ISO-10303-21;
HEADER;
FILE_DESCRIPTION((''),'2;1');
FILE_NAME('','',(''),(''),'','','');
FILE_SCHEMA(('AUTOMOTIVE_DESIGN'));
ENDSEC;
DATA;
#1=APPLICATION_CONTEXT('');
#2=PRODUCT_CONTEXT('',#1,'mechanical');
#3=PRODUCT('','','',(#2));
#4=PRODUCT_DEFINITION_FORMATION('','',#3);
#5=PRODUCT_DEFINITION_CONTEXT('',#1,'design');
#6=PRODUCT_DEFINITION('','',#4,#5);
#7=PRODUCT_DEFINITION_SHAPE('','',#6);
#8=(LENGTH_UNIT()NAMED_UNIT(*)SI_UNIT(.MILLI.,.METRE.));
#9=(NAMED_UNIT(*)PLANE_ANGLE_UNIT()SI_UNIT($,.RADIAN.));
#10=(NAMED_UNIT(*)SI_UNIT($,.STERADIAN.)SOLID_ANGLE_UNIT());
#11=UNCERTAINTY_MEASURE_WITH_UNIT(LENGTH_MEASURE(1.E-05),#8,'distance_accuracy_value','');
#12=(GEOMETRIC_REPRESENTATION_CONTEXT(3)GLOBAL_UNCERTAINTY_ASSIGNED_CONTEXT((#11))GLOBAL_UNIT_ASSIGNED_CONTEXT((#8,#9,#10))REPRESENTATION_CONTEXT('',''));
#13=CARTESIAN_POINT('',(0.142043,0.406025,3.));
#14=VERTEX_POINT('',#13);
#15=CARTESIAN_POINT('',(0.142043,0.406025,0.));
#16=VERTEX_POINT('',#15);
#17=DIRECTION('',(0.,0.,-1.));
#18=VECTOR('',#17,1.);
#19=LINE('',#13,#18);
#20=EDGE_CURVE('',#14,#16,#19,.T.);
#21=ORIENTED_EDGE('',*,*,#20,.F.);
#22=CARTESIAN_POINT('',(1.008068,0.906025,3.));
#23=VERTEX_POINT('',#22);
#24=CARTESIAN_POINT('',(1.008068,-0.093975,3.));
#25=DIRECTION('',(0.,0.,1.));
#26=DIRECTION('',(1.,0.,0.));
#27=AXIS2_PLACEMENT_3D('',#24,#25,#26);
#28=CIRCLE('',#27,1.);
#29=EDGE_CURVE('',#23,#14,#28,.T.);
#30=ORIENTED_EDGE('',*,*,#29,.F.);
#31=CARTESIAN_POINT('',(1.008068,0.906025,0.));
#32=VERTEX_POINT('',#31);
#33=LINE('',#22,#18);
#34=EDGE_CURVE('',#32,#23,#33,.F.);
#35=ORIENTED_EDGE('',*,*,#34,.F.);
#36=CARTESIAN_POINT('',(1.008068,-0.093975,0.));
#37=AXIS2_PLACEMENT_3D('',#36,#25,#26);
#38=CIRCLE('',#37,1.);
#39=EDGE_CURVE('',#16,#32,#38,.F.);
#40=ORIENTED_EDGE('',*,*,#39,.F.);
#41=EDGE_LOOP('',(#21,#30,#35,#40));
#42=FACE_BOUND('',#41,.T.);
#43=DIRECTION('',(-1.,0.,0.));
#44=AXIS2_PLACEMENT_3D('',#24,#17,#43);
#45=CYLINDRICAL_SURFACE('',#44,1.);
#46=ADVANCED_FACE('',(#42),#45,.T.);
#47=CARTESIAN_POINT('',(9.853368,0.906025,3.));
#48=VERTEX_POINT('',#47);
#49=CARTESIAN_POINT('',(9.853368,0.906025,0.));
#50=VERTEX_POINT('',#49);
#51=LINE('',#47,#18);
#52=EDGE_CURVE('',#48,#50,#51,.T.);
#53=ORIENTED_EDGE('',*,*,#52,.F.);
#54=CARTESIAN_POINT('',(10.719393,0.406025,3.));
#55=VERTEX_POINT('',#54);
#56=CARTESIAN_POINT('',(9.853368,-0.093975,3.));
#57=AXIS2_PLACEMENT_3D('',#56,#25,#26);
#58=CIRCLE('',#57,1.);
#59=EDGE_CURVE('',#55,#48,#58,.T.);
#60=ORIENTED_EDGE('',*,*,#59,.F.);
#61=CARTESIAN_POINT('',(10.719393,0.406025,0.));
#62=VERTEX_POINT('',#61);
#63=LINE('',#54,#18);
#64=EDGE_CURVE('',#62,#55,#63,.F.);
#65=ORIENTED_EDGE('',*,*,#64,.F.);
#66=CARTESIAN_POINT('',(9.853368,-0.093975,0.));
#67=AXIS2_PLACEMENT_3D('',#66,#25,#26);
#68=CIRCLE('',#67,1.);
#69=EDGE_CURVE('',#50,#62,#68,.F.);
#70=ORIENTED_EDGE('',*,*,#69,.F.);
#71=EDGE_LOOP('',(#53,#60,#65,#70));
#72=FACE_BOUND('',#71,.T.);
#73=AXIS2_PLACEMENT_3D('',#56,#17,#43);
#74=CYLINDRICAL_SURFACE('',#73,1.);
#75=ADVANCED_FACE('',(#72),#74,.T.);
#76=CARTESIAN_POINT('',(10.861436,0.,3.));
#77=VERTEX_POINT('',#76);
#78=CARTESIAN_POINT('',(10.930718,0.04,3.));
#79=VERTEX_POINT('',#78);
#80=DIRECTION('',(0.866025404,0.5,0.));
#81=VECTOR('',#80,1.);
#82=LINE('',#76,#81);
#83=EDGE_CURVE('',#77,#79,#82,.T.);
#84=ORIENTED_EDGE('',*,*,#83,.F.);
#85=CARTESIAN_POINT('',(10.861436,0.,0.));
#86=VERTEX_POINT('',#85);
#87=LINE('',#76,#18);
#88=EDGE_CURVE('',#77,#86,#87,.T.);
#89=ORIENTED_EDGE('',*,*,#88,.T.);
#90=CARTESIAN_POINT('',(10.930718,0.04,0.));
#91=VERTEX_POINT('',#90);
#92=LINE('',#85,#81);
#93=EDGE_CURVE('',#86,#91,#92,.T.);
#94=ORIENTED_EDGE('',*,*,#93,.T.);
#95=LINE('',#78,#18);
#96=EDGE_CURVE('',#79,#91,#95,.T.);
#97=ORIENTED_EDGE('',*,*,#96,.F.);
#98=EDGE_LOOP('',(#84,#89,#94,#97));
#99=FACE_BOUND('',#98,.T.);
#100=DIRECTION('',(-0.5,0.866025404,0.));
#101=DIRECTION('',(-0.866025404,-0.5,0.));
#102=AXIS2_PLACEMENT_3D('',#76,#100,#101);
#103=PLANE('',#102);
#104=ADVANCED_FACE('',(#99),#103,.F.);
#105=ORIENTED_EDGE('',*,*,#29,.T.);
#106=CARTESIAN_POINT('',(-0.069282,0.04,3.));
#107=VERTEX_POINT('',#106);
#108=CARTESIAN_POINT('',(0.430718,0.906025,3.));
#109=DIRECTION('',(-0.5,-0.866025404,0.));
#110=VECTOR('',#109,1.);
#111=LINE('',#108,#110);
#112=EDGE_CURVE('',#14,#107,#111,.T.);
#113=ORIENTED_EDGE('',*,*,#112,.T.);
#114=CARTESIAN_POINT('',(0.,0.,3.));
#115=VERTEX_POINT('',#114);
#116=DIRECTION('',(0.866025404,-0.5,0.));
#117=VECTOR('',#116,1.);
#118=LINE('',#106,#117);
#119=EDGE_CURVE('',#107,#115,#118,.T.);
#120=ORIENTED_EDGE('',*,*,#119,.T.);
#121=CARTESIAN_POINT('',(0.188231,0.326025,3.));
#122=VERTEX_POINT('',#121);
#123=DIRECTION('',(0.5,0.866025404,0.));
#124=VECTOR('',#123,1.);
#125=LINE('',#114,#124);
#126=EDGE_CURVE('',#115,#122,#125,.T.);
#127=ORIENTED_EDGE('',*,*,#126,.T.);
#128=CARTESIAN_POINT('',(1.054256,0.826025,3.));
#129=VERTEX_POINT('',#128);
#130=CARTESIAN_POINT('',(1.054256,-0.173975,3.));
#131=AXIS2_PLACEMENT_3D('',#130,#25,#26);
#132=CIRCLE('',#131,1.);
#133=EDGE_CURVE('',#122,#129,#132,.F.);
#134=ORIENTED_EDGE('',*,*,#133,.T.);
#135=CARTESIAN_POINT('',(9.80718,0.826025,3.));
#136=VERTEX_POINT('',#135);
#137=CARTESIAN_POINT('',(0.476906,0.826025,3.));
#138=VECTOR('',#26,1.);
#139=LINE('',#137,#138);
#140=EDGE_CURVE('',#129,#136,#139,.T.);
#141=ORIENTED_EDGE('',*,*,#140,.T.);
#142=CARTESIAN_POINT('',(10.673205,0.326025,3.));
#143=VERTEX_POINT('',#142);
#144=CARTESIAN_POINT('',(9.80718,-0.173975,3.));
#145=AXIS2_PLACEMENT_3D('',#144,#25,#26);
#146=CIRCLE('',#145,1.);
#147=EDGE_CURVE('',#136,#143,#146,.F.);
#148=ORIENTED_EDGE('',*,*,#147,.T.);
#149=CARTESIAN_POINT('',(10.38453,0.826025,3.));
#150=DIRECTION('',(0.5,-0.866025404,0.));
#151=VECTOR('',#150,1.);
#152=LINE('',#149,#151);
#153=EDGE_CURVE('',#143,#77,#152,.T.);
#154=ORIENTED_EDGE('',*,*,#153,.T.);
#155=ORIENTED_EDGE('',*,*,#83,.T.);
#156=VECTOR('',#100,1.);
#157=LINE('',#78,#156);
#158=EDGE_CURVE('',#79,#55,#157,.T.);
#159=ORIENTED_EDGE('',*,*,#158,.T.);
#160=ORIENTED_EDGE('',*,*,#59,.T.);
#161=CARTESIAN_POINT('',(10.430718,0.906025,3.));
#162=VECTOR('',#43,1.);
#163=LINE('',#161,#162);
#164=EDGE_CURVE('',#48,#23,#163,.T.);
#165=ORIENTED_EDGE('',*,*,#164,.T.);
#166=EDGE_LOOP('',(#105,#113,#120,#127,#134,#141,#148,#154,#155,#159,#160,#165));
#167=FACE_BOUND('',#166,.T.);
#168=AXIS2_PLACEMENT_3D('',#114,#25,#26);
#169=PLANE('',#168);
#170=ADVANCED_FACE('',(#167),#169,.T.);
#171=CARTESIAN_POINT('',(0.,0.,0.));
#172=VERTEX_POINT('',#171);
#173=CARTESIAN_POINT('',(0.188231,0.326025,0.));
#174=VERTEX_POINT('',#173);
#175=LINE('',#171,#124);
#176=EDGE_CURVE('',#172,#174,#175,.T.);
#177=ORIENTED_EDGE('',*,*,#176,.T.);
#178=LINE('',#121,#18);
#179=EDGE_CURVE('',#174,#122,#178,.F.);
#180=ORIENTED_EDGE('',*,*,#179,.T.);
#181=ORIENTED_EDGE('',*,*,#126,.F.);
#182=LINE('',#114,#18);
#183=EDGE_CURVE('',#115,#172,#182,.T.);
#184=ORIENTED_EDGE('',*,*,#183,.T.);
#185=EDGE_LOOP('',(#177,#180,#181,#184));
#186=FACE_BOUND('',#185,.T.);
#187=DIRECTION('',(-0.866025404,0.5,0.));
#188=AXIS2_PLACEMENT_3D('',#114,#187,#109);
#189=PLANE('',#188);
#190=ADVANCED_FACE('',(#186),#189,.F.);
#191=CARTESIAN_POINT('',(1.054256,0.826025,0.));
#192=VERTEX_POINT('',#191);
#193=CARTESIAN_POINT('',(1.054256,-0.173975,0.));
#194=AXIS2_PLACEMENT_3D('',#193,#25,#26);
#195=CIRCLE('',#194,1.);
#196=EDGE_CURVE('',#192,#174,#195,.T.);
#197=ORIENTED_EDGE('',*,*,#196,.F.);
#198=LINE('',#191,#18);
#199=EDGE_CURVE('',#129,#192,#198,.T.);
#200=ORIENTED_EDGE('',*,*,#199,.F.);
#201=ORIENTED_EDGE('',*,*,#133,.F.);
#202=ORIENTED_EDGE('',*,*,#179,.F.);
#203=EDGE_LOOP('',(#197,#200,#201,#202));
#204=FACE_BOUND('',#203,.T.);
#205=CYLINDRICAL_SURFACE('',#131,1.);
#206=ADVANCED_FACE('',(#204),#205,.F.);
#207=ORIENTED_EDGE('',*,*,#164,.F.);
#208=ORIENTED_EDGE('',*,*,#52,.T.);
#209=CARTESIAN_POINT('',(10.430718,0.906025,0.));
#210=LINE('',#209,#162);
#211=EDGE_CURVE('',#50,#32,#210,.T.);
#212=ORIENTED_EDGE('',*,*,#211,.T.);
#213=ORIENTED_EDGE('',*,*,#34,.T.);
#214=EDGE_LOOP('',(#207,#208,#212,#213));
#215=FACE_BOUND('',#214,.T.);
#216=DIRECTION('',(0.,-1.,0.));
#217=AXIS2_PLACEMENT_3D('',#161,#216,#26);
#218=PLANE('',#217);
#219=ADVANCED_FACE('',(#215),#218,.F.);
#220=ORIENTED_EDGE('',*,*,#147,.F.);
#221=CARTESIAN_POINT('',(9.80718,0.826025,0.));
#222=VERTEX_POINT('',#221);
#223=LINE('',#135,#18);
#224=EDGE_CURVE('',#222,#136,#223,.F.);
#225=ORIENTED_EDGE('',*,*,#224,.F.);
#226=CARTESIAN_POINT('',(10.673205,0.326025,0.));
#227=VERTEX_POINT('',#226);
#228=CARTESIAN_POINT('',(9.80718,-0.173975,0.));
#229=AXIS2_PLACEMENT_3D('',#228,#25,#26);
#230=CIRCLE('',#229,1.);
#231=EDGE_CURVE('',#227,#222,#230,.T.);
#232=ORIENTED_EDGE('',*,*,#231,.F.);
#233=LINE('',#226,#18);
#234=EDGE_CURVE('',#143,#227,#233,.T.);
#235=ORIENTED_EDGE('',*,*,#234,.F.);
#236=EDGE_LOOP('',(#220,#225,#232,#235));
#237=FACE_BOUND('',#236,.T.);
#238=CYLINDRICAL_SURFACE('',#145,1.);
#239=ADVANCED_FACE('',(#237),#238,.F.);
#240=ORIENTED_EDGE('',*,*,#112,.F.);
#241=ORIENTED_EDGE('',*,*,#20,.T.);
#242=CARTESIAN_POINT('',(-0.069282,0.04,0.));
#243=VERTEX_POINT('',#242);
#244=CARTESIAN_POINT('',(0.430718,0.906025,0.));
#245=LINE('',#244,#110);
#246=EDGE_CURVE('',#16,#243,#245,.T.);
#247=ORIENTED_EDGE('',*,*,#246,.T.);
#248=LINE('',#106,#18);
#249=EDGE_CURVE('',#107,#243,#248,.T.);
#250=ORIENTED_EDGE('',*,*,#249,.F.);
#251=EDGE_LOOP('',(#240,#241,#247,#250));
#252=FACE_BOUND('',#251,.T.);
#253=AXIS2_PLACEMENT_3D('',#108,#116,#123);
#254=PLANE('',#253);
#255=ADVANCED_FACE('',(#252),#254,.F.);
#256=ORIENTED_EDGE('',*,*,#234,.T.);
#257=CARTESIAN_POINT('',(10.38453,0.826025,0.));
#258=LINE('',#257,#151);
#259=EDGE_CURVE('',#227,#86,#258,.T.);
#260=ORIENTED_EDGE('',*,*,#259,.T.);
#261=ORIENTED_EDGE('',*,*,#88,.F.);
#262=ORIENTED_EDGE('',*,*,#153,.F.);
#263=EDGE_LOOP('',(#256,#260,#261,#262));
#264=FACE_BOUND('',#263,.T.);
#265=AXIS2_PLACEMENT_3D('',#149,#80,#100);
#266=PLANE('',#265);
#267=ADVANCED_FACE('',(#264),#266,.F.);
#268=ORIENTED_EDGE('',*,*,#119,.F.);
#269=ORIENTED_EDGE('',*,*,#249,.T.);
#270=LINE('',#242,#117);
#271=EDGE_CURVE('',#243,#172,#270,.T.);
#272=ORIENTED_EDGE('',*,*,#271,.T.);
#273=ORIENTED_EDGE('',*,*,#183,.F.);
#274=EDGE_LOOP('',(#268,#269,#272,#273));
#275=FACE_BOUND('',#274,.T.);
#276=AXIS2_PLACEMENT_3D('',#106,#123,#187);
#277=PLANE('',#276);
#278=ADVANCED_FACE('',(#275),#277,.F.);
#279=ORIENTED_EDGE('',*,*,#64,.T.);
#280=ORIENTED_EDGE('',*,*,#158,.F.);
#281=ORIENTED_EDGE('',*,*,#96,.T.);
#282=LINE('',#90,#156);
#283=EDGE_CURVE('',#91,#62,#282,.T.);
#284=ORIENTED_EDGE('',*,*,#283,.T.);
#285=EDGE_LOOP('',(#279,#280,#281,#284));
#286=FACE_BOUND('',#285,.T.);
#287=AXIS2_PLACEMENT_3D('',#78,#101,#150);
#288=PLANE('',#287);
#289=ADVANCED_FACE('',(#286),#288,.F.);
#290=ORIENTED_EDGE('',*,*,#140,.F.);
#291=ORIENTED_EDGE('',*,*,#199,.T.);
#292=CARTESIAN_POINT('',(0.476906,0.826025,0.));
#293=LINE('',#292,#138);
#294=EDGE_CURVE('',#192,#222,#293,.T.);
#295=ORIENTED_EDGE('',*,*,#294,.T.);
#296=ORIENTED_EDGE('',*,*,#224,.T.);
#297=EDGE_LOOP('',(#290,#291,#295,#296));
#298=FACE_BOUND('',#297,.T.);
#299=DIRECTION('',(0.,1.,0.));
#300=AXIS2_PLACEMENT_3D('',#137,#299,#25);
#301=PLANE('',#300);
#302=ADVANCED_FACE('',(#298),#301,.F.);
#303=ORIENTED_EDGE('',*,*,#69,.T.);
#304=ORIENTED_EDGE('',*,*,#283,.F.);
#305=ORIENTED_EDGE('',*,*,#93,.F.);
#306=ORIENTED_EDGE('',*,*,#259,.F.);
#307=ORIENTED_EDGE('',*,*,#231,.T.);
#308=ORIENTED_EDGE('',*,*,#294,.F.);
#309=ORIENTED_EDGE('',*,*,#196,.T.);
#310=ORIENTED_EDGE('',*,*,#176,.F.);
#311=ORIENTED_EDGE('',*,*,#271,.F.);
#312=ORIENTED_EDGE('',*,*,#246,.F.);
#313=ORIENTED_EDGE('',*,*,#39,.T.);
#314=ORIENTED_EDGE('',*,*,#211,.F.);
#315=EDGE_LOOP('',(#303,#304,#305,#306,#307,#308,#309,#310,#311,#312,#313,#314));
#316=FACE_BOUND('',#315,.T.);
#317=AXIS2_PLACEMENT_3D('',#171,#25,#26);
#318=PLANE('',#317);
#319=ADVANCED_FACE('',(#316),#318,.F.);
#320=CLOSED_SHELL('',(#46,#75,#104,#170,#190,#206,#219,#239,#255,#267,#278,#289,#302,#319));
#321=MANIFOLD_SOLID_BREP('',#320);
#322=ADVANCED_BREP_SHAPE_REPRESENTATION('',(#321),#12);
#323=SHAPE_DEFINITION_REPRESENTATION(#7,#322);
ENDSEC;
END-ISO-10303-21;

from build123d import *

# Parameters (mm, degrees)
BOSS_EXTRUDE1_DEPTH = 3
FILLET1_R           = 1


with BuildPart() as part:
    # Sketch1 → Boss-Extrude1 (new body)
    with BuildSketch(Plane.XY):
        Polygon((0, 0), (0.476905989, 0.826025404), (10.384529946, 0.826025404), (10.861435935, 0), (10.930717968, 0.04), (10.430717968, 0.906025404), (0.430717968, 0.906025404), (-0.069282032, 0.04), align=None)
    extrude(amount=BOSS_EXTRUDE1_DEPTH)

    # Fillet1
    fillet1_edges = [part.edges().sort_by_distance(p)[0] for p in [
        (0.430717968, 0.906025404, 1.5),
        (10.430717968, 0.906025404, 1.5),
        (10.384529946, 0.826025404, 1.5),
        (0.476905989, 0.826025404, 1.5),
    ]]
    fillet(fillet1_edges, radius=FILLET1_R)


solid = part.part
